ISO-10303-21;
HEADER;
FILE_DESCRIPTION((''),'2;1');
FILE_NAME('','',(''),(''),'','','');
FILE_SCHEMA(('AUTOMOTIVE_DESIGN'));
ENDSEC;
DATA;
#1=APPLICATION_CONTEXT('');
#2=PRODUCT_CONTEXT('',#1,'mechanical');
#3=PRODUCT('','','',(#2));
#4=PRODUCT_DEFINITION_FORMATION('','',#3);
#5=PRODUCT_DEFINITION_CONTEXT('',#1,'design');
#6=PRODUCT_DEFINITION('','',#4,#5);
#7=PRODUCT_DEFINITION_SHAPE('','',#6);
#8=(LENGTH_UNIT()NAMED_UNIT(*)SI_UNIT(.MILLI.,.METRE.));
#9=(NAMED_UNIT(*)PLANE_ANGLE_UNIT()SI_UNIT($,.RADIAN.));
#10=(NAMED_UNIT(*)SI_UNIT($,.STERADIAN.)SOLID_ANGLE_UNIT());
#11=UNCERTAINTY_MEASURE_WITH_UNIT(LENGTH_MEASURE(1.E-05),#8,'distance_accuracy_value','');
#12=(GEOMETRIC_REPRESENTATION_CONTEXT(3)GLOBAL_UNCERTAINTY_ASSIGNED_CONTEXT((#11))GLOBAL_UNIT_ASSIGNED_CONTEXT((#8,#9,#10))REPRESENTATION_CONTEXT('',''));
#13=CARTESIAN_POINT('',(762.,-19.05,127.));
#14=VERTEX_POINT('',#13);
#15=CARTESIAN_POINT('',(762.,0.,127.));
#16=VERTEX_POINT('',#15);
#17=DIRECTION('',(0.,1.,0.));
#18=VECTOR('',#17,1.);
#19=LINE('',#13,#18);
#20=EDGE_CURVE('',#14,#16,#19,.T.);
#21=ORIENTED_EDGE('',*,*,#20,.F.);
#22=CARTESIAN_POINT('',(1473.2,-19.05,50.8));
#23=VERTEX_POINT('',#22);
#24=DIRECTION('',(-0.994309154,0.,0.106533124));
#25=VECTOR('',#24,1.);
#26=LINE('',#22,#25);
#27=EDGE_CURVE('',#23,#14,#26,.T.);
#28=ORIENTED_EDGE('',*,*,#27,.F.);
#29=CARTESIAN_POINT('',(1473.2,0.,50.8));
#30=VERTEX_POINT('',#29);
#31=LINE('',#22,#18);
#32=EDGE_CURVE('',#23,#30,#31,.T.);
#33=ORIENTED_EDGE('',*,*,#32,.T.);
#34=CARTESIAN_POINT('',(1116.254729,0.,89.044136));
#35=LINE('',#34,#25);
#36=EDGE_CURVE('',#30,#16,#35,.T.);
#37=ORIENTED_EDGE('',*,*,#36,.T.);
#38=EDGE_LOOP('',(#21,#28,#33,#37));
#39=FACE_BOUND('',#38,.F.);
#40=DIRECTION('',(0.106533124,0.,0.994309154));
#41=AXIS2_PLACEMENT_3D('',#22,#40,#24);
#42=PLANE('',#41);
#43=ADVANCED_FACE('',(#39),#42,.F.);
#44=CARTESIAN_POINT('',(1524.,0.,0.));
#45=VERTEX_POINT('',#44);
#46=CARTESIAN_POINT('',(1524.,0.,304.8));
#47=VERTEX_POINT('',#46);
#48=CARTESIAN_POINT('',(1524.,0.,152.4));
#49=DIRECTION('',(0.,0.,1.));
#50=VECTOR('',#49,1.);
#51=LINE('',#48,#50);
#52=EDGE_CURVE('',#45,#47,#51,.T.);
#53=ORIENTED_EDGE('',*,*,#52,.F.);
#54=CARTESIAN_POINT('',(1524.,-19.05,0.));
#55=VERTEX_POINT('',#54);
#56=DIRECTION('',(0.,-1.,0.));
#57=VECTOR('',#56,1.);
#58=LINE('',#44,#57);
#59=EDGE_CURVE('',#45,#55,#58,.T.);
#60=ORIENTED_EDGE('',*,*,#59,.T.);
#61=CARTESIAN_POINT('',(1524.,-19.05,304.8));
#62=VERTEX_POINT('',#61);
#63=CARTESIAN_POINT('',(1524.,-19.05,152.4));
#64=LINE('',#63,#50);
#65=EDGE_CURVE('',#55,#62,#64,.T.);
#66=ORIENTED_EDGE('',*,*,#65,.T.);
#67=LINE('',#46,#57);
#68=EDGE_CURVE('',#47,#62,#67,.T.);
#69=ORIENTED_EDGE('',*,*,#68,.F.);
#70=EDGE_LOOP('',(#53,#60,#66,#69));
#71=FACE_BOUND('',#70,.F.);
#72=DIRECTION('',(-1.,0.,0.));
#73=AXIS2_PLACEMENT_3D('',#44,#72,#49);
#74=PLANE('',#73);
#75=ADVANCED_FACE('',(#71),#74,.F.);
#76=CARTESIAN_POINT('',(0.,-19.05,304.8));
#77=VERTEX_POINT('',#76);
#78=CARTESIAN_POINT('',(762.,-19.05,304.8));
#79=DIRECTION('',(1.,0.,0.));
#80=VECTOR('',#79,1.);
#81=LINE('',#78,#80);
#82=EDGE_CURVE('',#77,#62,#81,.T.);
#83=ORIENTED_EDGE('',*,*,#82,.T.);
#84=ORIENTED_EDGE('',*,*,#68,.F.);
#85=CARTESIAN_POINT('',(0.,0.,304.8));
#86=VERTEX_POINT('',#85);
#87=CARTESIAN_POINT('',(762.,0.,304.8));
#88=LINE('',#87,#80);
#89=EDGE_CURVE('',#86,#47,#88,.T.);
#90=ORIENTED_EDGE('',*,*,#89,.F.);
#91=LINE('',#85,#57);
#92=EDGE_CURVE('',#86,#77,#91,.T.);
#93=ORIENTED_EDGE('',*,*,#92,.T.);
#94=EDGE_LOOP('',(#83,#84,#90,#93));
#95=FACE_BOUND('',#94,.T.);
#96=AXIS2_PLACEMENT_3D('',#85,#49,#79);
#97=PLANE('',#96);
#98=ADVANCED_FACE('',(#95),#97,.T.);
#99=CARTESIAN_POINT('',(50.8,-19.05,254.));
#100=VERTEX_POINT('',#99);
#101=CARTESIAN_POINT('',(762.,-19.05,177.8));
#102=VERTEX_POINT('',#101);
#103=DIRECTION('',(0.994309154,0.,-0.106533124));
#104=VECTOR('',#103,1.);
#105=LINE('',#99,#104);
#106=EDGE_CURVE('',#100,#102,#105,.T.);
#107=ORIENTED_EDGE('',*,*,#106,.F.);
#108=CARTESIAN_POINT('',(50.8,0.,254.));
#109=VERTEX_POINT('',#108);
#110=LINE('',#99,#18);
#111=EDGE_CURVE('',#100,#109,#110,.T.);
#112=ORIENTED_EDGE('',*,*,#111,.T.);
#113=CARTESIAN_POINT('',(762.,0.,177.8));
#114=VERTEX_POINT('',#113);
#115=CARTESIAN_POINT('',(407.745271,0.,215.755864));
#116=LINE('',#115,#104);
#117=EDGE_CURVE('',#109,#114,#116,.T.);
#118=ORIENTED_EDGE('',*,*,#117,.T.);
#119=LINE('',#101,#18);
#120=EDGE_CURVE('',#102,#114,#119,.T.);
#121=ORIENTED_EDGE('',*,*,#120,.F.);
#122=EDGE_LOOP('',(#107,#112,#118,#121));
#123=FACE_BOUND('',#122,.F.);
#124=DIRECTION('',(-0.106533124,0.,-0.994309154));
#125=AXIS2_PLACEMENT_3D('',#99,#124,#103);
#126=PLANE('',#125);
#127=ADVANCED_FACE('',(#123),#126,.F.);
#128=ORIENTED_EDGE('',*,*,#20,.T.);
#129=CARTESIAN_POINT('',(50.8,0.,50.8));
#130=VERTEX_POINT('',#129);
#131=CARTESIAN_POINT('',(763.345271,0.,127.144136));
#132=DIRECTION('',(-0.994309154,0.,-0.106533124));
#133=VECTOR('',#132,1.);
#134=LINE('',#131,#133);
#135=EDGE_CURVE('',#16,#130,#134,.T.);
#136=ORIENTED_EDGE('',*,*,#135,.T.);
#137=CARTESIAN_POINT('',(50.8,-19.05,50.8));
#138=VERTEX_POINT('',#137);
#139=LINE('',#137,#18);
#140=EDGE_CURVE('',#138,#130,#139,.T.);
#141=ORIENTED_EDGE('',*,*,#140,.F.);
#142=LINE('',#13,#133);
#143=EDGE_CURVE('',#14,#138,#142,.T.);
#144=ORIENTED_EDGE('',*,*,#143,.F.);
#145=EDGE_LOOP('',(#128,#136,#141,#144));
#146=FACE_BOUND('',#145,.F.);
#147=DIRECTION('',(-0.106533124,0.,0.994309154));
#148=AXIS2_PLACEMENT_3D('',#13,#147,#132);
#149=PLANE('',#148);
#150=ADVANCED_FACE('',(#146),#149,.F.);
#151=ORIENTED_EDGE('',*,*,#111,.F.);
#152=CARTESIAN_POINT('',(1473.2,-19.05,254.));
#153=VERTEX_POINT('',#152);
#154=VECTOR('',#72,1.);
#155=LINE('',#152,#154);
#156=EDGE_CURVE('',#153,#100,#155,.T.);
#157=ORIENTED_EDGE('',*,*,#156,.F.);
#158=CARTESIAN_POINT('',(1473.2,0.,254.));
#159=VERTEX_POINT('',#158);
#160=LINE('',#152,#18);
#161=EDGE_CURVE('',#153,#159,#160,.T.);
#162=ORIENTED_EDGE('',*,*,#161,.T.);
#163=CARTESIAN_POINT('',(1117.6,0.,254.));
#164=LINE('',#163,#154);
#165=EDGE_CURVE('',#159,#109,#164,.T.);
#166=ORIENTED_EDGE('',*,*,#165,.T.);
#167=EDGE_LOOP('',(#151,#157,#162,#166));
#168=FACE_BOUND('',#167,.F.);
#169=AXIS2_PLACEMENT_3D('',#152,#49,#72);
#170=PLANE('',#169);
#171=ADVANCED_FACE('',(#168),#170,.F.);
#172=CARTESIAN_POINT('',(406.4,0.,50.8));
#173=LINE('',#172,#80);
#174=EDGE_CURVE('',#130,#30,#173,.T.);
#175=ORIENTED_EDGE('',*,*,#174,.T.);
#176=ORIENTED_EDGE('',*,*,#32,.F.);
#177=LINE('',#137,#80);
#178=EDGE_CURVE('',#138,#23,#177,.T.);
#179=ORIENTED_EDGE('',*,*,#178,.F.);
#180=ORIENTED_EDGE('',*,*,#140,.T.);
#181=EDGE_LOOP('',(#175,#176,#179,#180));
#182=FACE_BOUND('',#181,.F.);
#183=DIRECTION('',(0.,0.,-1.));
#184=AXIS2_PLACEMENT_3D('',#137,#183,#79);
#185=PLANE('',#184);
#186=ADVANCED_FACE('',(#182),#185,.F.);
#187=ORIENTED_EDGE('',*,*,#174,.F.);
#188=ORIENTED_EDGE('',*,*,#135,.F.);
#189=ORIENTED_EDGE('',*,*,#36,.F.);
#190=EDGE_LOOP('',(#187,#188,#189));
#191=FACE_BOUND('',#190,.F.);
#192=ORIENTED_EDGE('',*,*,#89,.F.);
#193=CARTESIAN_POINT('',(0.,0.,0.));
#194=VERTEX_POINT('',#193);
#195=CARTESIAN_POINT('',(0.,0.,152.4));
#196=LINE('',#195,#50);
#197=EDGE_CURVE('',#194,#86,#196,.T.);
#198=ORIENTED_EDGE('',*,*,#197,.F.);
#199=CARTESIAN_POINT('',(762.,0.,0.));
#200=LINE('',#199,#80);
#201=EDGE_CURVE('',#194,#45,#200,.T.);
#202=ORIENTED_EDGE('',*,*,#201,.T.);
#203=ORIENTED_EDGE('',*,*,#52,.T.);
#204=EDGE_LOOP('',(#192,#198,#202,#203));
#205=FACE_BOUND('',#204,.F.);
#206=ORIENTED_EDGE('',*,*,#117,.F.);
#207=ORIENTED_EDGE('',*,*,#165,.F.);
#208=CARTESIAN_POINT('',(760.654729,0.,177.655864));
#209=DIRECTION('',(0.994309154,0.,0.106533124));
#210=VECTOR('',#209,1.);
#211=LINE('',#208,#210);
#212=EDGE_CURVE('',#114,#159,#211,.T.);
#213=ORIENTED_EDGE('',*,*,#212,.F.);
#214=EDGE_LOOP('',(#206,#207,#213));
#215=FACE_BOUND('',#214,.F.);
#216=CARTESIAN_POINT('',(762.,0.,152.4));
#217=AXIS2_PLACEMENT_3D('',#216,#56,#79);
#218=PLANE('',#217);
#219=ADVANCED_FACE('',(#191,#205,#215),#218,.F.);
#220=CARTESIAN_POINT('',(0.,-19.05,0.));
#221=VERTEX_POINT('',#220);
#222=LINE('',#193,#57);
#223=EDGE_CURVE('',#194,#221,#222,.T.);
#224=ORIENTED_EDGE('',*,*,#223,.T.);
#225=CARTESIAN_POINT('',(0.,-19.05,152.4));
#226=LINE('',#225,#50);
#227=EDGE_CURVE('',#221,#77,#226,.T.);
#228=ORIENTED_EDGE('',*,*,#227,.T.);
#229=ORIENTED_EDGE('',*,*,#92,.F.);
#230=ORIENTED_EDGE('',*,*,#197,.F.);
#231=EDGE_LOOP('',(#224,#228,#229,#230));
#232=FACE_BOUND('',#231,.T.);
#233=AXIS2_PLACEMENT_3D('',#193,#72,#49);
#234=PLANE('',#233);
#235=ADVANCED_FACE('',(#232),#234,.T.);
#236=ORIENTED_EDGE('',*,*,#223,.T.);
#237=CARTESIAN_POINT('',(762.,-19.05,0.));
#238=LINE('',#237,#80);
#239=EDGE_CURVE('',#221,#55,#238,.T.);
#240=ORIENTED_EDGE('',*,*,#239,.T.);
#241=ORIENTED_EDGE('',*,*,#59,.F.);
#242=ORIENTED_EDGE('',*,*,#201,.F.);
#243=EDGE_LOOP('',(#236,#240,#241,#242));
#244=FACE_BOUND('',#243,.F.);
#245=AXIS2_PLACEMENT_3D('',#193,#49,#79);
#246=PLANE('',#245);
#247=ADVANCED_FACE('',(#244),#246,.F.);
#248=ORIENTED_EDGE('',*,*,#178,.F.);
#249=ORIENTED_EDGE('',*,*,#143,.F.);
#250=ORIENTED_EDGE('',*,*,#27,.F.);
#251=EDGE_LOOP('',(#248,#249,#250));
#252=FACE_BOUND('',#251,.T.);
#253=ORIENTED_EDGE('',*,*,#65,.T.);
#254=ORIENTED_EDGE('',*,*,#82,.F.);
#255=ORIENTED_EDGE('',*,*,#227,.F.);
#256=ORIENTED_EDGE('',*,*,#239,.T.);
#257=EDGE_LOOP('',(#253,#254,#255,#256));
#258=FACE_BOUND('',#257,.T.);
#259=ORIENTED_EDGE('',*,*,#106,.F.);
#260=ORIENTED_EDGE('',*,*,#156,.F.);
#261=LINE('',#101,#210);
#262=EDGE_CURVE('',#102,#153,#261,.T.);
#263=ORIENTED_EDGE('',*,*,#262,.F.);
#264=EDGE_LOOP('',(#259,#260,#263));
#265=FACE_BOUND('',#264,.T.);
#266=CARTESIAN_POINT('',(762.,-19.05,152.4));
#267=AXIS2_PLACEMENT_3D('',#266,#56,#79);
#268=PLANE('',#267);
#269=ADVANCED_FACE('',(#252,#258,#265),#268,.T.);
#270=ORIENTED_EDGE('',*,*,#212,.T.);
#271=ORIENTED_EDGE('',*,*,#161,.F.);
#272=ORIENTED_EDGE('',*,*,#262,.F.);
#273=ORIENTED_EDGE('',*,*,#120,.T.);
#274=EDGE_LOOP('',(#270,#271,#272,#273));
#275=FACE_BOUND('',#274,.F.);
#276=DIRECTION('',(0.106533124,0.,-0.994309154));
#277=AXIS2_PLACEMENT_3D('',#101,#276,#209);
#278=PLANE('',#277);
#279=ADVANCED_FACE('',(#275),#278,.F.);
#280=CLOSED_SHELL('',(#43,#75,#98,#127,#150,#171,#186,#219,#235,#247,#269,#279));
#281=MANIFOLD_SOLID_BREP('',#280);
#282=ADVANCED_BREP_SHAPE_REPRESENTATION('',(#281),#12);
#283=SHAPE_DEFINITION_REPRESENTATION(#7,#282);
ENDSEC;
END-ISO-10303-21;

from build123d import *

# Parameters (mm, degrees)
F0_W     = 1524
F0_H     = 304.8
F1_DEPTH = 19.05
F3_DEPTH = 19.051


with BuildPart() as f1:
    # F0 (on Front) → F1 (new body)
    with BuildSketch(Plane.XZ):
        with Locations((762, 152.4)):
            Rectangle(F0_W, F0_H)
    extrude(amount=F1_DEPTH)

    # F2 (on face) → F3 (cut, through all)
    with BuildSketch(Plane.XZ.offset(19.05)):
        Polygon((1473.2, 254), (50.8, 254), (762, 177.8), align=None)
        Polygon((762, 127), (50.8, 50.8), (1473.2, 50.8), align=None)
    extrude(amount=-F3_DEPTH, mode=Mode.SUBTRACT)


solid = f1.part
